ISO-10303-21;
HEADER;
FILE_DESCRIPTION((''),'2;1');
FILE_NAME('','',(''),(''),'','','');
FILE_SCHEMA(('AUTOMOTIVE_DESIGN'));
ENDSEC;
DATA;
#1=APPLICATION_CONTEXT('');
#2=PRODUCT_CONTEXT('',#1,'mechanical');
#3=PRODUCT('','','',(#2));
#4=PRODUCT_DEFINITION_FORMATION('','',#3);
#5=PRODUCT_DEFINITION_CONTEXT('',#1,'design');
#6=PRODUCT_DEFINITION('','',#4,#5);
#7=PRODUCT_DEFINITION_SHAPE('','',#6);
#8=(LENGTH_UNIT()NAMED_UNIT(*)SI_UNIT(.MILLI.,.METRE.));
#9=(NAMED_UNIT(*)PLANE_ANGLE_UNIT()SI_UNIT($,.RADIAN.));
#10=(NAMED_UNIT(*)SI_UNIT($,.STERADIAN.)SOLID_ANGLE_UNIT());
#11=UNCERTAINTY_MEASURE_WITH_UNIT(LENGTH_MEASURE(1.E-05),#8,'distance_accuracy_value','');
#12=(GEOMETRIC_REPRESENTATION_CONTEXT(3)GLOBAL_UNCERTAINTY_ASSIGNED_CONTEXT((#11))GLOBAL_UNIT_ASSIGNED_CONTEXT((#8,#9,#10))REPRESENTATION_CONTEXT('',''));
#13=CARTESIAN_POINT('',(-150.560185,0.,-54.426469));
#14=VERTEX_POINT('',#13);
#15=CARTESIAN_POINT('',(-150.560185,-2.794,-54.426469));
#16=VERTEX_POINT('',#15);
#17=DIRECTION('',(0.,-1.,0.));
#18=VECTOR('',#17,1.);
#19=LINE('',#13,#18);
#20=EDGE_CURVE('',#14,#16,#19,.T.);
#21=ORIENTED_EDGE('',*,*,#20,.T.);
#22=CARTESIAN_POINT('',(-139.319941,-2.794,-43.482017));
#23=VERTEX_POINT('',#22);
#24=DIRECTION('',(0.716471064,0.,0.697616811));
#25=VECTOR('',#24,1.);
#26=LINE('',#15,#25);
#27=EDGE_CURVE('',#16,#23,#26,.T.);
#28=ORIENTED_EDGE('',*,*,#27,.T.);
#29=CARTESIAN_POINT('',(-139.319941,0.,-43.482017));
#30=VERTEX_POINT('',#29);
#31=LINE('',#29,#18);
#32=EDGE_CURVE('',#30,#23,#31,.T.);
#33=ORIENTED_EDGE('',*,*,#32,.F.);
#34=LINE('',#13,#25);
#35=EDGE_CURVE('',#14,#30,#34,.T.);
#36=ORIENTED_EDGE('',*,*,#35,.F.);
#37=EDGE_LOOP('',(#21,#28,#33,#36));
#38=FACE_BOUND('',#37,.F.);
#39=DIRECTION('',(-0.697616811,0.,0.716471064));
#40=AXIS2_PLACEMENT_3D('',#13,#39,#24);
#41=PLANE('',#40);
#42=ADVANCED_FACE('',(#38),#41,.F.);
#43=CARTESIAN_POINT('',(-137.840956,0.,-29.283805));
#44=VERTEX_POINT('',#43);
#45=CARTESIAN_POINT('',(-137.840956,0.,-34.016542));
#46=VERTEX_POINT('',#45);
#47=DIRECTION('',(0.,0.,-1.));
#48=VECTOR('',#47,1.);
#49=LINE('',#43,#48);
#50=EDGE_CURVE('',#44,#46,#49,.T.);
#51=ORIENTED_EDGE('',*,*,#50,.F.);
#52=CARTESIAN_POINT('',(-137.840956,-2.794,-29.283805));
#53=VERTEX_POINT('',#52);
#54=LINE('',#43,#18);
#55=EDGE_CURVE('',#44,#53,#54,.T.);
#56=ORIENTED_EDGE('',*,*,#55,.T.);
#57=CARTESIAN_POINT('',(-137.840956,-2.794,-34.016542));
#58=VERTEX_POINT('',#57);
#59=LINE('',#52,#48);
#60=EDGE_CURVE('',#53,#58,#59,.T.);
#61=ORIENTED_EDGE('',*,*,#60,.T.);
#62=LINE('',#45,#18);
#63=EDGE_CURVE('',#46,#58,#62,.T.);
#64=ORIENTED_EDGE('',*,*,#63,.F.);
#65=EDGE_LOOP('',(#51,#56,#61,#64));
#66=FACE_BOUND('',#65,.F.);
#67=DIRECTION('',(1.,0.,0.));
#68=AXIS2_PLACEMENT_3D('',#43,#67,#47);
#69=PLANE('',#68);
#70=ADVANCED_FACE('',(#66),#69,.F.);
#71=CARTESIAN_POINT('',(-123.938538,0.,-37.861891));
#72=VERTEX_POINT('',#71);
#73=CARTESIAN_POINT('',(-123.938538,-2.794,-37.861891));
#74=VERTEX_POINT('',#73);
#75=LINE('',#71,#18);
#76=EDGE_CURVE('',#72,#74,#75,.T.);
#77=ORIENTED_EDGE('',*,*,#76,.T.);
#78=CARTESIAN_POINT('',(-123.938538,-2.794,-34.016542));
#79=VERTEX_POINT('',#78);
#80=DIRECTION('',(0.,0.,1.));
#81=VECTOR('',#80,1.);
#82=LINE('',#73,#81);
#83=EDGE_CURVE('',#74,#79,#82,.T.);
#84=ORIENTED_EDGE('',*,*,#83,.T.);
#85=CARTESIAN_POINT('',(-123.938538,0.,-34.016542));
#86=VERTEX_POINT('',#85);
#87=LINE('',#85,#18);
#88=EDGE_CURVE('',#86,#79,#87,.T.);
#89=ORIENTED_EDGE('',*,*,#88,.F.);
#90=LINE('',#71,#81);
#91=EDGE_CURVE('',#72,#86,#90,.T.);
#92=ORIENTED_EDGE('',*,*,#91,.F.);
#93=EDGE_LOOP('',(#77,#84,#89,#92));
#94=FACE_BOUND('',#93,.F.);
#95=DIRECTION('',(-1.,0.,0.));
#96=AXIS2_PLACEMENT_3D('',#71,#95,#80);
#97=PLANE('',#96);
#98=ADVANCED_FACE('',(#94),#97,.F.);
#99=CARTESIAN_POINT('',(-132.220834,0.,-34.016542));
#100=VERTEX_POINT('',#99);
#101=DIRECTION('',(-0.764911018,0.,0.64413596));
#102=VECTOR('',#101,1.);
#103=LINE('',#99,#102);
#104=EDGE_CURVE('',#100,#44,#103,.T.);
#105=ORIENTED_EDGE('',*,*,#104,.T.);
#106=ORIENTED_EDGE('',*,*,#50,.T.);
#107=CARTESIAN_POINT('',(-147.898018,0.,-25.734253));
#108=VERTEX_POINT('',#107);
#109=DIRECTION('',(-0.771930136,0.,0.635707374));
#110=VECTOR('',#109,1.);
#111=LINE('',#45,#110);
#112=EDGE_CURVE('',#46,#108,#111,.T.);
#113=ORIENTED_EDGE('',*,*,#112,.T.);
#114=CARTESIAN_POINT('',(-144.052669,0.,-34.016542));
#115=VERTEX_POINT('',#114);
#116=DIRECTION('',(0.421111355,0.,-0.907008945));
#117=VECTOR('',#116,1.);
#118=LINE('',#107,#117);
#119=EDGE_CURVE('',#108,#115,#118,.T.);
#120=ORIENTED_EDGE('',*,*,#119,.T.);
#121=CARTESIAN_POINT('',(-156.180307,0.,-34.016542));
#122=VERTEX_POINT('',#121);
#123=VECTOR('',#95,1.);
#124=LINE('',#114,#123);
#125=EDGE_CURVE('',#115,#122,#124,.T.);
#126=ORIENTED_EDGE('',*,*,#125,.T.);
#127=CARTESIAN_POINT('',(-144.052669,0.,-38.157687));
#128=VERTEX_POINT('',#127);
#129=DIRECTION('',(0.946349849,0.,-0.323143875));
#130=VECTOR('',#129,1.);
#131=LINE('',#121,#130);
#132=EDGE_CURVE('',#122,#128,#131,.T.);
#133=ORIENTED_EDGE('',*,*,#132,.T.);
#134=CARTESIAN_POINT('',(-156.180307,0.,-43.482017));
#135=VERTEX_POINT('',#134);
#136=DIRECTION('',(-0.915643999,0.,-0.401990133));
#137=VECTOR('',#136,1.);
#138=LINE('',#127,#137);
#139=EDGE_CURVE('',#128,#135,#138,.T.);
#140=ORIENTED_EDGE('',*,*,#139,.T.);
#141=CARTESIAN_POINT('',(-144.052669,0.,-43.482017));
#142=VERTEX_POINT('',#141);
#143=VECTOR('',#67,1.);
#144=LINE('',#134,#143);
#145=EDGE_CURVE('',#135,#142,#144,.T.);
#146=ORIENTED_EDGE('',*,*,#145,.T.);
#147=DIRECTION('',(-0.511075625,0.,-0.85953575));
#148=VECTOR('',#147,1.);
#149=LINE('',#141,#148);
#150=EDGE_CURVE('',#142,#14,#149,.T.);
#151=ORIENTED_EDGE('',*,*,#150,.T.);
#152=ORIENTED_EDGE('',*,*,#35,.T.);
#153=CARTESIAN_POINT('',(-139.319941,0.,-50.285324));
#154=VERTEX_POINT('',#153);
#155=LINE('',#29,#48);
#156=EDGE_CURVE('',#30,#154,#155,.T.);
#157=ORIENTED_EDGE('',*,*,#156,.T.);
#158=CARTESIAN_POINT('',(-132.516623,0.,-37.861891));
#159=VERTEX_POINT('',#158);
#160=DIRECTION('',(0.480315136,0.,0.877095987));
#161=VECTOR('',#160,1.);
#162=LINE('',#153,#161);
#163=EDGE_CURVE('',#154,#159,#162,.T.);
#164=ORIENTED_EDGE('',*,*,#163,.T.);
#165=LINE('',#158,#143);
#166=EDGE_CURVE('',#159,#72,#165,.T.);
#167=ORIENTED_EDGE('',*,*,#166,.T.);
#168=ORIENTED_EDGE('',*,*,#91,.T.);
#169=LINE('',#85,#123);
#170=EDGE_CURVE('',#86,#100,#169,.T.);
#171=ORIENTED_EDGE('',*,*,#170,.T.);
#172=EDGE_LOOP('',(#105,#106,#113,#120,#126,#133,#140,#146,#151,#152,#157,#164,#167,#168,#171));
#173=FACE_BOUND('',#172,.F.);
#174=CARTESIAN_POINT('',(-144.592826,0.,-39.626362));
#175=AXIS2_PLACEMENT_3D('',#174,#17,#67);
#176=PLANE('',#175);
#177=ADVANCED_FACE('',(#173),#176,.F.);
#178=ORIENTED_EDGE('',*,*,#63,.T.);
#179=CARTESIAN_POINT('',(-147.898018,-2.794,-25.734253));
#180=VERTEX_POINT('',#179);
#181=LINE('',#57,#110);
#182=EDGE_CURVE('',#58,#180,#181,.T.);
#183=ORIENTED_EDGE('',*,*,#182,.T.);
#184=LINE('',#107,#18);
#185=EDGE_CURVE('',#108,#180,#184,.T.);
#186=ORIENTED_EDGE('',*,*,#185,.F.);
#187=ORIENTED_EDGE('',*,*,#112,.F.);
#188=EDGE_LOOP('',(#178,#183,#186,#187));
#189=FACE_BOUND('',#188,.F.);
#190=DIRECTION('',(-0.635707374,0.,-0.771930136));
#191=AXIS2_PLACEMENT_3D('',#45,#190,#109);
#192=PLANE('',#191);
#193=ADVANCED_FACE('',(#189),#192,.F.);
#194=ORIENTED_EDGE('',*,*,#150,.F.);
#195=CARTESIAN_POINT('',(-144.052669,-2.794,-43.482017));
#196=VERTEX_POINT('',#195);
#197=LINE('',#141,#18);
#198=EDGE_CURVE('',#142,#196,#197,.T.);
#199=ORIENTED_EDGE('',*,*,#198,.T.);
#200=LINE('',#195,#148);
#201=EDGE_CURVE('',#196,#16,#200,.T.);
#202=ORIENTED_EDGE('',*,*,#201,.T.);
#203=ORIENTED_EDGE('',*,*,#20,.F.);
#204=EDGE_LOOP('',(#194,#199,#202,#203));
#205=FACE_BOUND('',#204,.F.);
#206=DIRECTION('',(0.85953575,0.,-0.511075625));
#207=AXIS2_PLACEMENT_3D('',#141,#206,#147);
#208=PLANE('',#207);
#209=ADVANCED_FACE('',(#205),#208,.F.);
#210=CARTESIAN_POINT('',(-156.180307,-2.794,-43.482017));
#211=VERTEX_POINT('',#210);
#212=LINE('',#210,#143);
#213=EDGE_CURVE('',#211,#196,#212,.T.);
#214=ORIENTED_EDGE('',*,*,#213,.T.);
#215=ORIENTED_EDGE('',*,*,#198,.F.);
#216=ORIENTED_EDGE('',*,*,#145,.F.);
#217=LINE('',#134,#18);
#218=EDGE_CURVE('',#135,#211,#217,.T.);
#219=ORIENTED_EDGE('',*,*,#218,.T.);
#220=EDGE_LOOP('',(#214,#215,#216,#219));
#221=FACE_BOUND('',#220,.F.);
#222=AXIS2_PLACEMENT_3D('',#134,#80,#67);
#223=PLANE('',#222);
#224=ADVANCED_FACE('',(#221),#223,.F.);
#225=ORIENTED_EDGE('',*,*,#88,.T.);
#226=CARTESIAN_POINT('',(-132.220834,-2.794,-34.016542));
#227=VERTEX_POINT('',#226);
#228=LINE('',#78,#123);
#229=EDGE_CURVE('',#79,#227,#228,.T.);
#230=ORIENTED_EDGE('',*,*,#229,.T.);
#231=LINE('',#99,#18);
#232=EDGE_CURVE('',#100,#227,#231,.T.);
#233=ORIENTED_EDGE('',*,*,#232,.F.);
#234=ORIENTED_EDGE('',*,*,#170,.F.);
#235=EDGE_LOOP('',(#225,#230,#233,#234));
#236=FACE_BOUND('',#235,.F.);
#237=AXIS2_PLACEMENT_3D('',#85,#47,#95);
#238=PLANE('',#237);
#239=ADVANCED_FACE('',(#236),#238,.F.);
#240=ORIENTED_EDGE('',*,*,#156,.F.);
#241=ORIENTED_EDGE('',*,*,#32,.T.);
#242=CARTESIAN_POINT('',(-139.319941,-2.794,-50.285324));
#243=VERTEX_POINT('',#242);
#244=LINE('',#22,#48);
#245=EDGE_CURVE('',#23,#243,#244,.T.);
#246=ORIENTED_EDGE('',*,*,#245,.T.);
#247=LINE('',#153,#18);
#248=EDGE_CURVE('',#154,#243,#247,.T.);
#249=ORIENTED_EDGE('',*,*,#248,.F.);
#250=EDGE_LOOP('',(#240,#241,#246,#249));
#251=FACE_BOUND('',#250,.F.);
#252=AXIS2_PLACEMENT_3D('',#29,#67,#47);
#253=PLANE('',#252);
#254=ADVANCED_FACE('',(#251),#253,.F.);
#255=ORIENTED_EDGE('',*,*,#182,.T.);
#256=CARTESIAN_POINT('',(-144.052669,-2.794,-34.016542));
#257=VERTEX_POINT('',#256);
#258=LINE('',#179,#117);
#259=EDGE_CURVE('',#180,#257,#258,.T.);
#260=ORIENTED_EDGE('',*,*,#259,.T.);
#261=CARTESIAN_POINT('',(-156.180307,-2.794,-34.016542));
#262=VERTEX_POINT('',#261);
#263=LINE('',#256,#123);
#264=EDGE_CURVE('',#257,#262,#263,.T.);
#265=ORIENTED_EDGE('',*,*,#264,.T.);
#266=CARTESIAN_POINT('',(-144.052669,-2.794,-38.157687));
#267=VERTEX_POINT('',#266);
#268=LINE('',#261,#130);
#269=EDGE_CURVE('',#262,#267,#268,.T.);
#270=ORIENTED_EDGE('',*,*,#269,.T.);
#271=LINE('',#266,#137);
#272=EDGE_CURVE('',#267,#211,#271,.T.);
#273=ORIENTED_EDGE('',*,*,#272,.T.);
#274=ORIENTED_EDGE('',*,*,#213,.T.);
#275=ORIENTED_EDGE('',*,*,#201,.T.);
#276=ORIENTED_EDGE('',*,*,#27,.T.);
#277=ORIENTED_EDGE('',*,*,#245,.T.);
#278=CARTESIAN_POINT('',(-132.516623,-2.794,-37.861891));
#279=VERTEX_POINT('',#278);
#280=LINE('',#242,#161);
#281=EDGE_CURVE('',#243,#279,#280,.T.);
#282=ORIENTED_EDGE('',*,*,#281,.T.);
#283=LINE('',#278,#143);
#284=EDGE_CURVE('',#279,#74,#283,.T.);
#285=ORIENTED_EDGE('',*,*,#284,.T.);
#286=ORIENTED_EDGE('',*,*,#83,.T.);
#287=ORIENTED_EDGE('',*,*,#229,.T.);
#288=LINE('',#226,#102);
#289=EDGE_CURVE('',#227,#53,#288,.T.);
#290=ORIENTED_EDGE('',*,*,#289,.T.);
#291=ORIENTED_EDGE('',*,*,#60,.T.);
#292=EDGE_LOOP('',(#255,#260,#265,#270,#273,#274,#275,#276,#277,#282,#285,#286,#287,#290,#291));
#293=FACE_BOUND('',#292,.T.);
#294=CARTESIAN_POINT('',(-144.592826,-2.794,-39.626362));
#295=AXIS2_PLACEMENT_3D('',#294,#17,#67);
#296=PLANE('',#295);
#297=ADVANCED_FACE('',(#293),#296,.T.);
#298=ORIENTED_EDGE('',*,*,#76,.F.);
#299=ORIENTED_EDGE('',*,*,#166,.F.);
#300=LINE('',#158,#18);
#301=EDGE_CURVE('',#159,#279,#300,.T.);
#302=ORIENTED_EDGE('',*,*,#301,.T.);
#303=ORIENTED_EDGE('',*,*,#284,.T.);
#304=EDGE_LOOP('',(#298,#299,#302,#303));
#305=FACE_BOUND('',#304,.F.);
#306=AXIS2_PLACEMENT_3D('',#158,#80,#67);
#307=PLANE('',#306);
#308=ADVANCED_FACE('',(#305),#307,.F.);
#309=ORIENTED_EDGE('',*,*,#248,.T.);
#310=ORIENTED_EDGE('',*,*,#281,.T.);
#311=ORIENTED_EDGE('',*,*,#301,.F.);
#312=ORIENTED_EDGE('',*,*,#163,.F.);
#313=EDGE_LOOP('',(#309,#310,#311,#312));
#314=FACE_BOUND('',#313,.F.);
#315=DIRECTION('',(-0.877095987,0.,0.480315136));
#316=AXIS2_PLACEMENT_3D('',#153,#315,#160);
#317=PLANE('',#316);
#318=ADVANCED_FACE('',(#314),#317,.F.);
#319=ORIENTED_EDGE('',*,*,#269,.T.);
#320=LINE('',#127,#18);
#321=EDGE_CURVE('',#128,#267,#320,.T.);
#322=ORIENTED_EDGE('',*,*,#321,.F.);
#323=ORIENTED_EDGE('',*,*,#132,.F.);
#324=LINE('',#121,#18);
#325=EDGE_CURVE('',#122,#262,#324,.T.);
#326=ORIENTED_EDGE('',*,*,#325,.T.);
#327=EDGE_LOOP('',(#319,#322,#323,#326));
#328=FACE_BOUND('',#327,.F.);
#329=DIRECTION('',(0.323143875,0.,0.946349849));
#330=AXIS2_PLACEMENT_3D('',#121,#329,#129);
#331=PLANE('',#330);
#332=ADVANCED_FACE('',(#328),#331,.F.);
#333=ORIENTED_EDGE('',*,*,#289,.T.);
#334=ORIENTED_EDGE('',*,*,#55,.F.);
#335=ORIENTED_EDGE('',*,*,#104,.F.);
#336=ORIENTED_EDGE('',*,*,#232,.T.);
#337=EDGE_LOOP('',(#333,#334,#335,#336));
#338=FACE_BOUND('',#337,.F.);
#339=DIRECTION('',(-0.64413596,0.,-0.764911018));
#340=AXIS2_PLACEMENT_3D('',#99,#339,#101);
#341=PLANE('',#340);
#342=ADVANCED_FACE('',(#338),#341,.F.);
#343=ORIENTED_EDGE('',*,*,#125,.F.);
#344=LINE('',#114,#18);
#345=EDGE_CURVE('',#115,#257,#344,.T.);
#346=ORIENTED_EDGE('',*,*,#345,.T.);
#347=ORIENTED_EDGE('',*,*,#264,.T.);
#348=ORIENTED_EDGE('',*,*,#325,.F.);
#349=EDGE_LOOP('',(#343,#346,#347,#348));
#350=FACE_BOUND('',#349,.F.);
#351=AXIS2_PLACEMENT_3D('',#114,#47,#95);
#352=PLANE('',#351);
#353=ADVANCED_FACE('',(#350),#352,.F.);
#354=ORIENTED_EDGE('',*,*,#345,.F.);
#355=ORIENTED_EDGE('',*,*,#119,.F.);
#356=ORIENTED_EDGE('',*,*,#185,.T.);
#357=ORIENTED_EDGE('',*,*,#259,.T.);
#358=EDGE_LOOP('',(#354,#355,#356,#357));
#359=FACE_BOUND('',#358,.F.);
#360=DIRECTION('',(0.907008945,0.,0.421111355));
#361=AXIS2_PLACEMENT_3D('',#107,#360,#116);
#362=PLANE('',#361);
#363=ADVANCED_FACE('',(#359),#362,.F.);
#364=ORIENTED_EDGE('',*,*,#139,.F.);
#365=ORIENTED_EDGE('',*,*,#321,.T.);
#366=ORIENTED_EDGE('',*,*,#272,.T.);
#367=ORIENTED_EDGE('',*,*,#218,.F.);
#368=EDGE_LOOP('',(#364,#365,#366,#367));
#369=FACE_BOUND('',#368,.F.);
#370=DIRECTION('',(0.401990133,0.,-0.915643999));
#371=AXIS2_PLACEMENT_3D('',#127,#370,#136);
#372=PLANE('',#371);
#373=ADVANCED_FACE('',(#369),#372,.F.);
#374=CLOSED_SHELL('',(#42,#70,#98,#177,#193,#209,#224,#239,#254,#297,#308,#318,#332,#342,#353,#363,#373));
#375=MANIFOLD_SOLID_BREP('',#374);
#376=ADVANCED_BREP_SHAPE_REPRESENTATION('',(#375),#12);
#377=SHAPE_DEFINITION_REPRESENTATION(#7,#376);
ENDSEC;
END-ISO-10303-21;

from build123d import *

# Parameters (mm, degrees)
F1_DEPTH = 2.794


with BuildPart() as f1:
    # F0 (on Front) → F1 (new body)
    with BuildSketch(Plane.XZ):
        Polygon((-139.319941, -50.285324), (-132.516623, -37.861891), (-132.220834, -34.016542), (-137.840956, -29.283805), (-137.840956, -34.016542), (-147.898018, -25.734253), (-144.052669, -34.016542), (-156.180307, -34.016542), (-144.052669, -38.157687), (-156.180307, -43.482017), (-144.052669, -43.482017), (-150.560185, -54.426469), (-139.319941, -43.482017), align=None)
        Polygon((-132.220834, -34.016542), (-132.516623, -37.861891), (-123.938538, -37.861891), (-123.938538, -34.016542), align=None)
    extrude(amount=F1_DEPTH)


solid = f1.part
